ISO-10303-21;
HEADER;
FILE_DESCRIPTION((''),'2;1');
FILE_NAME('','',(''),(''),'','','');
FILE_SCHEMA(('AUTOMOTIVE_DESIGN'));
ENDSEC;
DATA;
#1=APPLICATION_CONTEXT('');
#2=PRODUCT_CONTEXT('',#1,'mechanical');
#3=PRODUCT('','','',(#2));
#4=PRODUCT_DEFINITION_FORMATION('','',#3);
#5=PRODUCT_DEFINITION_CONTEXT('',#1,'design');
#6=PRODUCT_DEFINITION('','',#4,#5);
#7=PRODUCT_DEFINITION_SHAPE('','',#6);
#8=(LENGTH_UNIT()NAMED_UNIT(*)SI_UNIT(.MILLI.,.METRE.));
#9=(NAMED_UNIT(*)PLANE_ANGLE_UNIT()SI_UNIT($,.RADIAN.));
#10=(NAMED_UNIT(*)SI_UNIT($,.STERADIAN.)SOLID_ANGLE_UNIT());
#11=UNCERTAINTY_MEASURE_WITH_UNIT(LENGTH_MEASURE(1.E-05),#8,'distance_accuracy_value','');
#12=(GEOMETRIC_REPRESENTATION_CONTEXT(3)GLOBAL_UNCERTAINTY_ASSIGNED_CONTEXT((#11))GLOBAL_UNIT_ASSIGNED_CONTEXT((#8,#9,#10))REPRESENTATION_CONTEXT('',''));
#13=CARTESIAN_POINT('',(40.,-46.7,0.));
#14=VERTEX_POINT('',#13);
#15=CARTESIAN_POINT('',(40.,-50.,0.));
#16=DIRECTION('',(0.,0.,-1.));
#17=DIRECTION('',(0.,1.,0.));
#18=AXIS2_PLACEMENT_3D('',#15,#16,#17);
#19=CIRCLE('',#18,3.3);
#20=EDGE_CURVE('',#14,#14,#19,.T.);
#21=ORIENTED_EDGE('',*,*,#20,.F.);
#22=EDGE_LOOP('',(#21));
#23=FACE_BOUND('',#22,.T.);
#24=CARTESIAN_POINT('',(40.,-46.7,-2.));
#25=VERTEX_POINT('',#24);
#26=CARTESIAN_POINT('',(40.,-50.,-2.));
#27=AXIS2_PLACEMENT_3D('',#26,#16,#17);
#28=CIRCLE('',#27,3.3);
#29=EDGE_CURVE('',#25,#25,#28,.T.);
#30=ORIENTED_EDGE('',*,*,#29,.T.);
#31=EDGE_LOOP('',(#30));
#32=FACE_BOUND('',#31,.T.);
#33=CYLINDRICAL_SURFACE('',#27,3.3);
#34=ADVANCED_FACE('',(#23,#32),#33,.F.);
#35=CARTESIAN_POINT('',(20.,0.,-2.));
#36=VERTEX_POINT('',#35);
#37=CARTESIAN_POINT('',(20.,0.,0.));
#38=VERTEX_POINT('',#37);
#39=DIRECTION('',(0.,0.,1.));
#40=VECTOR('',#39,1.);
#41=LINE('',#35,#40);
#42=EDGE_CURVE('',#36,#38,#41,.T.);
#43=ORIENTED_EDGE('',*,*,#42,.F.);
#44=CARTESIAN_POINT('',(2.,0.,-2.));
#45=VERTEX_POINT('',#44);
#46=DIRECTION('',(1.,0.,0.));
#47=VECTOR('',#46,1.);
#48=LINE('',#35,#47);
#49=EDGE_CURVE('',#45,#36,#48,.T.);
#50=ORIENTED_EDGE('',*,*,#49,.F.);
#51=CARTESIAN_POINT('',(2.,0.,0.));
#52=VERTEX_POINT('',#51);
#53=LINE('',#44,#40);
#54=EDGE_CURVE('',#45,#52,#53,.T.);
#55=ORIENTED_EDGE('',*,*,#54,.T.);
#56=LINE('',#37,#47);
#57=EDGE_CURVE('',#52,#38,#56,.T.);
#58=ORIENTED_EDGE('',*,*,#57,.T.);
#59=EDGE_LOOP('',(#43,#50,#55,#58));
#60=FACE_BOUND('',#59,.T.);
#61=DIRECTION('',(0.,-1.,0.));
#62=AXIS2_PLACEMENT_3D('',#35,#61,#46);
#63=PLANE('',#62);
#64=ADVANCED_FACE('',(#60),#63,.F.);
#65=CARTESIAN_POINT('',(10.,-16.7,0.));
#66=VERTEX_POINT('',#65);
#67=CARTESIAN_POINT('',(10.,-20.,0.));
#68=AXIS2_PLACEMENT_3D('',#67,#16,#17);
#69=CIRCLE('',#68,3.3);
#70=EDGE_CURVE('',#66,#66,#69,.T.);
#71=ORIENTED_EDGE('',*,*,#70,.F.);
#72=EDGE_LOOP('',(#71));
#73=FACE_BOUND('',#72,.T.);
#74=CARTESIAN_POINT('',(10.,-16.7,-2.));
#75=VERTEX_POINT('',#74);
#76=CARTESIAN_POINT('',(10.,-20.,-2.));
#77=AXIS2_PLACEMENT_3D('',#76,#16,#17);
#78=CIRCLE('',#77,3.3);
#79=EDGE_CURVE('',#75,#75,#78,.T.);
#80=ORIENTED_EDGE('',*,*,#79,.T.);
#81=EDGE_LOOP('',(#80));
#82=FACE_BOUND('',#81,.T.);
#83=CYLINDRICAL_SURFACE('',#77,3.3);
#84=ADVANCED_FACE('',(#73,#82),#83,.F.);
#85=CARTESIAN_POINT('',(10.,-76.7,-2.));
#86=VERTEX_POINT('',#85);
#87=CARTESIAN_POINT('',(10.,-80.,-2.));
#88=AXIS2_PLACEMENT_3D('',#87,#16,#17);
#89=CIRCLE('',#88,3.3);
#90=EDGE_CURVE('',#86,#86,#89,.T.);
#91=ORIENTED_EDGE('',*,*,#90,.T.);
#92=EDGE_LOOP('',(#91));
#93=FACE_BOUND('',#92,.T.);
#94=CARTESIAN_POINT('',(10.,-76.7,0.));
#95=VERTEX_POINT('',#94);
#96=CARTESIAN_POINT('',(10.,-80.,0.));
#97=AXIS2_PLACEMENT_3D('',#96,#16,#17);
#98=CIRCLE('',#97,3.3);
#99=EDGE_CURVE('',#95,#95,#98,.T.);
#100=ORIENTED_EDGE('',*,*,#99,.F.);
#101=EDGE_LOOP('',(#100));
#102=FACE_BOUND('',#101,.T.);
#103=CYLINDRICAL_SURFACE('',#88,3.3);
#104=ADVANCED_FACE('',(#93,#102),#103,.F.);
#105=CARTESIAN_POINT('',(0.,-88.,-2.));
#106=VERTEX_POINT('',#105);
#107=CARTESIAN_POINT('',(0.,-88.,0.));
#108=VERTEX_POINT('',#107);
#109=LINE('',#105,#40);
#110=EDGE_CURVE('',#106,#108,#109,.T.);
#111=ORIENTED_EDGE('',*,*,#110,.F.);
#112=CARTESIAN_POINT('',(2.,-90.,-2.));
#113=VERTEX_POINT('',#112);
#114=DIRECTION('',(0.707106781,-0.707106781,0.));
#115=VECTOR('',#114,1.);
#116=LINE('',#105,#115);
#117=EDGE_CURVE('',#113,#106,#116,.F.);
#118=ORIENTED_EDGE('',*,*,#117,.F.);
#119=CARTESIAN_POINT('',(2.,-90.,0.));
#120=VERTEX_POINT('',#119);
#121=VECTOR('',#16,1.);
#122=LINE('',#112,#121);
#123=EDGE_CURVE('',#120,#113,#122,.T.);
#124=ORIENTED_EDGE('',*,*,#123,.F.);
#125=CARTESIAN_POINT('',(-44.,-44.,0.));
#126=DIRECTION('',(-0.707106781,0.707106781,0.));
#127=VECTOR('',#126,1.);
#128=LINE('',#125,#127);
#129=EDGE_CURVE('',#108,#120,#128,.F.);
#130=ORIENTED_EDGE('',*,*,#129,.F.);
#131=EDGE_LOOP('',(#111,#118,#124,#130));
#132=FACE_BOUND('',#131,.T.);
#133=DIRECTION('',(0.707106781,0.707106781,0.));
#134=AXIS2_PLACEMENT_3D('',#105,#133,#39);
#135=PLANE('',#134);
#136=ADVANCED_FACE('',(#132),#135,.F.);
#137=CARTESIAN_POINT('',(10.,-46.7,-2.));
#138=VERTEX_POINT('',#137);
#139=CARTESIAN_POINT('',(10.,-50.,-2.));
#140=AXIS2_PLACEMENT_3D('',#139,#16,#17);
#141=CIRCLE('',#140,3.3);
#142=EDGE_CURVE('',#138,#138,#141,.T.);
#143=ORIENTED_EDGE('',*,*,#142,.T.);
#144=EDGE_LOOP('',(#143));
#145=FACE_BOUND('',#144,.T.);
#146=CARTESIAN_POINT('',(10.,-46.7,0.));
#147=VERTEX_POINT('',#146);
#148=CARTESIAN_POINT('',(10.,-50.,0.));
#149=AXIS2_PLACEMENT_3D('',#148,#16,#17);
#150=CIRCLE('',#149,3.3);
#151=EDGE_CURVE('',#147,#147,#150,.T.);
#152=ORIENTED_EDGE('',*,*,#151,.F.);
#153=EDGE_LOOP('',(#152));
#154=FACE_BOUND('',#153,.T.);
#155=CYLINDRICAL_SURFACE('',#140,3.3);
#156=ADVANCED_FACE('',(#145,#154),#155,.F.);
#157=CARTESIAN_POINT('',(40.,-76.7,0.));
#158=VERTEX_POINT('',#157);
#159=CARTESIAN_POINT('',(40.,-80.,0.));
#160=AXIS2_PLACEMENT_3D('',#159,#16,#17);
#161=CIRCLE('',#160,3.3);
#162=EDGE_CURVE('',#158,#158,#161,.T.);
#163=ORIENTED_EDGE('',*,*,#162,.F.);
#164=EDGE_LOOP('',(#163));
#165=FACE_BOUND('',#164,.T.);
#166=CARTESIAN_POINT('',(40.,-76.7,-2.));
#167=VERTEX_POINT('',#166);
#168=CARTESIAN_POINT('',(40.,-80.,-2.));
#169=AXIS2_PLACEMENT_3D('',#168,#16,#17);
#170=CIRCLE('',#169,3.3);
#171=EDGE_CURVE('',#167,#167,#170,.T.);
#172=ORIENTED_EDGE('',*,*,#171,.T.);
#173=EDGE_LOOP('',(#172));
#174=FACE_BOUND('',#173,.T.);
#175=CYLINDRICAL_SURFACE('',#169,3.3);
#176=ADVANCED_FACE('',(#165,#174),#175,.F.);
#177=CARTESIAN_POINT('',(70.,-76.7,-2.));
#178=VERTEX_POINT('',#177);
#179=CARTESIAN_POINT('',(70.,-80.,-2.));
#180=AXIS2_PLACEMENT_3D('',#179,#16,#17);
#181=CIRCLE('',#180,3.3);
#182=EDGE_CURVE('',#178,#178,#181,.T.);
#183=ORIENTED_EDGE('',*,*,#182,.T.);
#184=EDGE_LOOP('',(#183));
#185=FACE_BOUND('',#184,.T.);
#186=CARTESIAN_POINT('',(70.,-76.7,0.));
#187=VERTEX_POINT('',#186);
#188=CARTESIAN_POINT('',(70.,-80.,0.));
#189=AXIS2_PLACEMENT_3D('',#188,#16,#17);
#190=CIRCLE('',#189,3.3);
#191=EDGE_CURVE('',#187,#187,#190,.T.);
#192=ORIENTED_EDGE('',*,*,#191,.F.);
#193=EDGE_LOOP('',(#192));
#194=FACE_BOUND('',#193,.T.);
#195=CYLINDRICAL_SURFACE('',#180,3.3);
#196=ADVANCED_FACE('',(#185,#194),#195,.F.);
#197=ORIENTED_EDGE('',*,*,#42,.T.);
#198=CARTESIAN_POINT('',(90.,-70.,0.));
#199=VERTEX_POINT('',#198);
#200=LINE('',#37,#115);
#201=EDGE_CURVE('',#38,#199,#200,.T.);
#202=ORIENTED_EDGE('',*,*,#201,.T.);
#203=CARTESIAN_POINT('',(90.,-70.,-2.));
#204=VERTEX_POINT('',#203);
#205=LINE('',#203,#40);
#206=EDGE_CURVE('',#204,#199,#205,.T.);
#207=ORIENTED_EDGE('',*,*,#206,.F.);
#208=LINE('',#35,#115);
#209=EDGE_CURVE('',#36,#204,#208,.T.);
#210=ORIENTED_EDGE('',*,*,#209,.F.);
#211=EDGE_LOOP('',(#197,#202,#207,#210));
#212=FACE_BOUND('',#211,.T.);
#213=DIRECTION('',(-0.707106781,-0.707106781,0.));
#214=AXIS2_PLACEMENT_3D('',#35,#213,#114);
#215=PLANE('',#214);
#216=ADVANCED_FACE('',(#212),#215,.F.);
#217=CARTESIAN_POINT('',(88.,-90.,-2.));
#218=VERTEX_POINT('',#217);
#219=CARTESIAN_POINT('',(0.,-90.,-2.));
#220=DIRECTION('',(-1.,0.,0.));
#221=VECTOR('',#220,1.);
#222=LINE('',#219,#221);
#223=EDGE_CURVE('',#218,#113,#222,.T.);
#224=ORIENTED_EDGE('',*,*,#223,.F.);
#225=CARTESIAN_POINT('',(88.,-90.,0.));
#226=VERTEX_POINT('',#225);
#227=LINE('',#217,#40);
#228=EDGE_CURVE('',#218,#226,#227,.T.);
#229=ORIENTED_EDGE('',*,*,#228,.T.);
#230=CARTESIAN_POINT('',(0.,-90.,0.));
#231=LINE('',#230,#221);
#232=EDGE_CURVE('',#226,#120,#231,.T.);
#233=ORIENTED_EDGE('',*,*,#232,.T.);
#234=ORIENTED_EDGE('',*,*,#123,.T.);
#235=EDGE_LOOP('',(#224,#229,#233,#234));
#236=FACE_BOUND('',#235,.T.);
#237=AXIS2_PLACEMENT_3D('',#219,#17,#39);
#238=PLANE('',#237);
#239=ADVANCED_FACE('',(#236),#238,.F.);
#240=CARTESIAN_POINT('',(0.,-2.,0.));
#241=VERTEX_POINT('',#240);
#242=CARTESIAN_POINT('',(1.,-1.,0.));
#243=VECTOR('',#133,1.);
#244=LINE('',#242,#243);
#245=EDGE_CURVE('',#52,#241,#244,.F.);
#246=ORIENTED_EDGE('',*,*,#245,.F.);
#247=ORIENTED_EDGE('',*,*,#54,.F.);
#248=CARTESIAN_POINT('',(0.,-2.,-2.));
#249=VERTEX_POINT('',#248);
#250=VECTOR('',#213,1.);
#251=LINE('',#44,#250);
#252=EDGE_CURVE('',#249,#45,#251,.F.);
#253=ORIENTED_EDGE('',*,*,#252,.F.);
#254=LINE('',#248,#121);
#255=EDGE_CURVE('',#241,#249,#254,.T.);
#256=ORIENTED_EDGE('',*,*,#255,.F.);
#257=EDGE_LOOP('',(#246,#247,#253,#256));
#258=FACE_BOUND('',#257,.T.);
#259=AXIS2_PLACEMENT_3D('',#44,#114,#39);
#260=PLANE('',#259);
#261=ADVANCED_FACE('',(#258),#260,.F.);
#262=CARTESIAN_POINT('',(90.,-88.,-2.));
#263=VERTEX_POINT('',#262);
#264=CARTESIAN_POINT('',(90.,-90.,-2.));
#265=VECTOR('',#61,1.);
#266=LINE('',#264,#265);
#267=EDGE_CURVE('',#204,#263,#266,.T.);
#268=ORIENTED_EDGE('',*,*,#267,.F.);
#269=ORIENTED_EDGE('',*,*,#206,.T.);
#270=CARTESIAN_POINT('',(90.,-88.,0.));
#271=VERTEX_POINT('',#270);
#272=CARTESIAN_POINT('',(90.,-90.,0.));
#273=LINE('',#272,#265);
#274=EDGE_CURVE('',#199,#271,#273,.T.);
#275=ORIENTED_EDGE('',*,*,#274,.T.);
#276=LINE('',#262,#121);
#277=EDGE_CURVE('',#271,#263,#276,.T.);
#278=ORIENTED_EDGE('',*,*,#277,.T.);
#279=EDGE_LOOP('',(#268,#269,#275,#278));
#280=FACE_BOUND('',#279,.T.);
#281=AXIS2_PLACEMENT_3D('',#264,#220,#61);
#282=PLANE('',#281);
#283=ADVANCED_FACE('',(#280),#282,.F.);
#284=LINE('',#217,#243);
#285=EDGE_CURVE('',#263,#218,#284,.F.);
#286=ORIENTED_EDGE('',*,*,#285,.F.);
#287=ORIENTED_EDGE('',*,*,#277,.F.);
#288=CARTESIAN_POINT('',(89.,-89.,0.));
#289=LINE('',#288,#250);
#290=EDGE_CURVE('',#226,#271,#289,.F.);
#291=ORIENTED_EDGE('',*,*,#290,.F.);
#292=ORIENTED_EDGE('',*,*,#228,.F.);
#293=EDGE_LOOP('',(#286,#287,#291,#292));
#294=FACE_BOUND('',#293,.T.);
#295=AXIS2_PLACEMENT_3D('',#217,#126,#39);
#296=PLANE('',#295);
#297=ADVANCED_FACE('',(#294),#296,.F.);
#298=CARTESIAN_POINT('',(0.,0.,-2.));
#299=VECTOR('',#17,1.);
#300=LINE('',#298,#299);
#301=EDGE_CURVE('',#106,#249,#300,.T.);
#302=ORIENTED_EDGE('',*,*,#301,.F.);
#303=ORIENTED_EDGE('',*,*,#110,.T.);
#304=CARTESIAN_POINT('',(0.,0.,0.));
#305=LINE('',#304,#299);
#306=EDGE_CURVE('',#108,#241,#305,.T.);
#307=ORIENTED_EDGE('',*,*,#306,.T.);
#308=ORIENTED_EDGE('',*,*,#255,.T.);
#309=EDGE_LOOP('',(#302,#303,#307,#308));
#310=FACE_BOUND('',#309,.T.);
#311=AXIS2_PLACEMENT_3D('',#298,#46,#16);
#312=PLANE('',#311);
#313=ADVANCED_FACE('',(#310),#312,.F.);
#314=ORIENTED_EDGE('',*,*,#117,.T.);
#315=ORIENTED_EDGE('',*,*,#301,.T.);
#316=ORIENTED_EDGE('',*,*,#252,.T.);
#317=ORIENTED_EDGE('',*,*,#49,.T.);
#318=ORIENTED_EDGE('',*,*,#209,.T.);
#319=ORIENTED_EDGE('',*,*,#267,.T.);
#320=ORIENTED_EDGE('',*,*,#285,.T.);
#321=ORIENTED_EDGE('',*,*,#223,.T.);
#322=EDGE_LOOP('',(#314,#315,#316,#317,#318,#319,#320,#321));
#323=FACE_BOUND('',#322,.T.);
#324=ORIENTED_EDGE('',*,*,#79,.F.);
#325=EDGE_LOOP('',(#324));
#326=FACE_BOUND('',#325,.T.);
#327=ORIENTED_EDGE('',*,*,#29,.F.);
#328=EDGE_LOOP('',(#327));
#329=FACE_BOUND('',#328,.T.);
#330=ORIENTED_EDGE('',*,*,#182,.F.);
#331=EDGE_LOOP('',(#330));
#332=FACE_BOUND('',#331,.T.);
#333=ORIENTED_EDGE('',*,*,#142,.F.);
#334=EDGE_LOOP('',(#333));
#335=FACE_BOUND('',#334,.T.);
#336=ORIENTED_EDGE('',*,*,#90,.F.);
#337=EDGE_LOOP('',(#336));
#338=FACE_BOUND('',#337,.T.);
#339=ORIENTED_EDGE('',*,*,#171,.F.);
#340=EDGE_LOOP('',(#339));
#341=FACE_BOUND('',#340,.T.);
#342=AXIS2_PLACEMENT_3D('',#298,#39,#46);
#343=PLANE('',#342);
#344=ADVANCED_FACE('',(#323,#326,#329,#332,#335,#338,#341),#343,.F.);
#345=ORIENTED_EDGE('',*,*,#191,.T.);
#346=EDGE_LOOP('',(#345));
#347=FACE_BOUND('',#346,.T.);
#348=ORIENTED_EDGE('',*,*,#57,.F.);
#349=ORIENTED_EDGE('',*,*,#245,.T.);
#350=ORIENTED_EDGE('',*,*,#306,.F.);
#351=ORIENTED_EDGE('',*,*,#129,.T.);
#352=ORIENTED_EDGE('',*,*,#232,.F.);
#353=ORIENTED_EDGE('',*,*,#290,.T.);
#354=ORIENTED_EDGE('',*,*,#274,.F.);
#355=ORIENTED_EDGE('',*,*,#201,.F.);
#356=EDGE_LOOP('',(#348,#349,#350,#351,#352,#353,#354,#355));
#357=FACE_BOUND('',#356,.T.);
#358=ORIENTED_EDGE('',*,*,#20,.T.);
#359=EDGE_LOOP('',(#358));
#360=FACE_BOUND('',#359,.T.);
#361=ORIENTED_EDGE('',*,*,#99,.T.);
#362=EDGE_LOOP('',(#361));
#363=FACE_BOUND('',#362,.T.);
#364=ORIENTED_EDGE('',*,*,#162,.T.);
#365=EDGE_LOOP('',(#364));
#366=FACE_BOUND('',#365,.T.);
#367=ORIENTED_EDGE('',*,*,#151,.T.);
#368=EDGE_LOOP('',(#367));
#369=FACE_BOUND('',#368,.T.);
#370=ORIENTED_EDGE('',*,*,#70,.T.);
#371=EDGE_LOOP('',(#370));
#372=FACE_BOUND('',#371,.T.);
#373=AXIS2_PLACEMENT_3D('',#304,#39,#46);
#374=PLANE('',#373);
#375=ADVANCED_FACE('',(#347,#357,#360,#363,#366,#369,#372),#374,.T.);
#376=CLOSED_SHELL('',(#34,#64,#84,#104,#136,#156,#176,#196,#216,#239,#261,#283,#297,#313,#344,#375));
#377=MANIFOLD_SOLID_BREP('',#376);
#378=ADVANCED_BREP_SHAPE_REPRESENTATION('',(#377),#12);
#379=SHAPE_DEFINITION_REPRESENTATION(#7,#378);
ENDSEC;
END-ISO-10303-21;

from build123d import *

# Parameters (mm, degrees)
EXTRUDE_1_DEPTH   = 2
HOLE_WIZARD_M61_D = 6.6
CHAMFER_1_SIZE    = 2


with BuildPart() as part:
    # Эскиз1 → Бобышка-Вытянуть1 (new body)
    with BuildSketch(Plane(origin=(0, 0, 0), x_dir=(1, 0, 0), z_dir=(0, 0, -1))):
        Polygon((0, 0), (0, 90), (90, 90), (90, 70), (20, 0), align=None)
    extrude(amount=EXTRUDE_1_DEPTH)

    # Отверстие с зазором M61 (through all)
    with Locations(Plane(origin=(0, 0, -2), x_dir=(1, 0, 0), z_dir=(0, 0, -1))):
        with Locations((40, 80), (10, 80), (10, 50), (10, 20), (70, 80), (40, 50)):
            Hole(HOLE_WIZARD_M61_D / 2)

    # Фаска1
    chamfer_1_edges = [part.edges().sort_by_distance(p)[0] for p in [
        (0, 0, -1),
        (0, -90, -1),
        (90, -90, -1),
    ]]
    chamfer(chamfer_1_edges, length=CHAMFER_1_SIZE)


solid = part.part
